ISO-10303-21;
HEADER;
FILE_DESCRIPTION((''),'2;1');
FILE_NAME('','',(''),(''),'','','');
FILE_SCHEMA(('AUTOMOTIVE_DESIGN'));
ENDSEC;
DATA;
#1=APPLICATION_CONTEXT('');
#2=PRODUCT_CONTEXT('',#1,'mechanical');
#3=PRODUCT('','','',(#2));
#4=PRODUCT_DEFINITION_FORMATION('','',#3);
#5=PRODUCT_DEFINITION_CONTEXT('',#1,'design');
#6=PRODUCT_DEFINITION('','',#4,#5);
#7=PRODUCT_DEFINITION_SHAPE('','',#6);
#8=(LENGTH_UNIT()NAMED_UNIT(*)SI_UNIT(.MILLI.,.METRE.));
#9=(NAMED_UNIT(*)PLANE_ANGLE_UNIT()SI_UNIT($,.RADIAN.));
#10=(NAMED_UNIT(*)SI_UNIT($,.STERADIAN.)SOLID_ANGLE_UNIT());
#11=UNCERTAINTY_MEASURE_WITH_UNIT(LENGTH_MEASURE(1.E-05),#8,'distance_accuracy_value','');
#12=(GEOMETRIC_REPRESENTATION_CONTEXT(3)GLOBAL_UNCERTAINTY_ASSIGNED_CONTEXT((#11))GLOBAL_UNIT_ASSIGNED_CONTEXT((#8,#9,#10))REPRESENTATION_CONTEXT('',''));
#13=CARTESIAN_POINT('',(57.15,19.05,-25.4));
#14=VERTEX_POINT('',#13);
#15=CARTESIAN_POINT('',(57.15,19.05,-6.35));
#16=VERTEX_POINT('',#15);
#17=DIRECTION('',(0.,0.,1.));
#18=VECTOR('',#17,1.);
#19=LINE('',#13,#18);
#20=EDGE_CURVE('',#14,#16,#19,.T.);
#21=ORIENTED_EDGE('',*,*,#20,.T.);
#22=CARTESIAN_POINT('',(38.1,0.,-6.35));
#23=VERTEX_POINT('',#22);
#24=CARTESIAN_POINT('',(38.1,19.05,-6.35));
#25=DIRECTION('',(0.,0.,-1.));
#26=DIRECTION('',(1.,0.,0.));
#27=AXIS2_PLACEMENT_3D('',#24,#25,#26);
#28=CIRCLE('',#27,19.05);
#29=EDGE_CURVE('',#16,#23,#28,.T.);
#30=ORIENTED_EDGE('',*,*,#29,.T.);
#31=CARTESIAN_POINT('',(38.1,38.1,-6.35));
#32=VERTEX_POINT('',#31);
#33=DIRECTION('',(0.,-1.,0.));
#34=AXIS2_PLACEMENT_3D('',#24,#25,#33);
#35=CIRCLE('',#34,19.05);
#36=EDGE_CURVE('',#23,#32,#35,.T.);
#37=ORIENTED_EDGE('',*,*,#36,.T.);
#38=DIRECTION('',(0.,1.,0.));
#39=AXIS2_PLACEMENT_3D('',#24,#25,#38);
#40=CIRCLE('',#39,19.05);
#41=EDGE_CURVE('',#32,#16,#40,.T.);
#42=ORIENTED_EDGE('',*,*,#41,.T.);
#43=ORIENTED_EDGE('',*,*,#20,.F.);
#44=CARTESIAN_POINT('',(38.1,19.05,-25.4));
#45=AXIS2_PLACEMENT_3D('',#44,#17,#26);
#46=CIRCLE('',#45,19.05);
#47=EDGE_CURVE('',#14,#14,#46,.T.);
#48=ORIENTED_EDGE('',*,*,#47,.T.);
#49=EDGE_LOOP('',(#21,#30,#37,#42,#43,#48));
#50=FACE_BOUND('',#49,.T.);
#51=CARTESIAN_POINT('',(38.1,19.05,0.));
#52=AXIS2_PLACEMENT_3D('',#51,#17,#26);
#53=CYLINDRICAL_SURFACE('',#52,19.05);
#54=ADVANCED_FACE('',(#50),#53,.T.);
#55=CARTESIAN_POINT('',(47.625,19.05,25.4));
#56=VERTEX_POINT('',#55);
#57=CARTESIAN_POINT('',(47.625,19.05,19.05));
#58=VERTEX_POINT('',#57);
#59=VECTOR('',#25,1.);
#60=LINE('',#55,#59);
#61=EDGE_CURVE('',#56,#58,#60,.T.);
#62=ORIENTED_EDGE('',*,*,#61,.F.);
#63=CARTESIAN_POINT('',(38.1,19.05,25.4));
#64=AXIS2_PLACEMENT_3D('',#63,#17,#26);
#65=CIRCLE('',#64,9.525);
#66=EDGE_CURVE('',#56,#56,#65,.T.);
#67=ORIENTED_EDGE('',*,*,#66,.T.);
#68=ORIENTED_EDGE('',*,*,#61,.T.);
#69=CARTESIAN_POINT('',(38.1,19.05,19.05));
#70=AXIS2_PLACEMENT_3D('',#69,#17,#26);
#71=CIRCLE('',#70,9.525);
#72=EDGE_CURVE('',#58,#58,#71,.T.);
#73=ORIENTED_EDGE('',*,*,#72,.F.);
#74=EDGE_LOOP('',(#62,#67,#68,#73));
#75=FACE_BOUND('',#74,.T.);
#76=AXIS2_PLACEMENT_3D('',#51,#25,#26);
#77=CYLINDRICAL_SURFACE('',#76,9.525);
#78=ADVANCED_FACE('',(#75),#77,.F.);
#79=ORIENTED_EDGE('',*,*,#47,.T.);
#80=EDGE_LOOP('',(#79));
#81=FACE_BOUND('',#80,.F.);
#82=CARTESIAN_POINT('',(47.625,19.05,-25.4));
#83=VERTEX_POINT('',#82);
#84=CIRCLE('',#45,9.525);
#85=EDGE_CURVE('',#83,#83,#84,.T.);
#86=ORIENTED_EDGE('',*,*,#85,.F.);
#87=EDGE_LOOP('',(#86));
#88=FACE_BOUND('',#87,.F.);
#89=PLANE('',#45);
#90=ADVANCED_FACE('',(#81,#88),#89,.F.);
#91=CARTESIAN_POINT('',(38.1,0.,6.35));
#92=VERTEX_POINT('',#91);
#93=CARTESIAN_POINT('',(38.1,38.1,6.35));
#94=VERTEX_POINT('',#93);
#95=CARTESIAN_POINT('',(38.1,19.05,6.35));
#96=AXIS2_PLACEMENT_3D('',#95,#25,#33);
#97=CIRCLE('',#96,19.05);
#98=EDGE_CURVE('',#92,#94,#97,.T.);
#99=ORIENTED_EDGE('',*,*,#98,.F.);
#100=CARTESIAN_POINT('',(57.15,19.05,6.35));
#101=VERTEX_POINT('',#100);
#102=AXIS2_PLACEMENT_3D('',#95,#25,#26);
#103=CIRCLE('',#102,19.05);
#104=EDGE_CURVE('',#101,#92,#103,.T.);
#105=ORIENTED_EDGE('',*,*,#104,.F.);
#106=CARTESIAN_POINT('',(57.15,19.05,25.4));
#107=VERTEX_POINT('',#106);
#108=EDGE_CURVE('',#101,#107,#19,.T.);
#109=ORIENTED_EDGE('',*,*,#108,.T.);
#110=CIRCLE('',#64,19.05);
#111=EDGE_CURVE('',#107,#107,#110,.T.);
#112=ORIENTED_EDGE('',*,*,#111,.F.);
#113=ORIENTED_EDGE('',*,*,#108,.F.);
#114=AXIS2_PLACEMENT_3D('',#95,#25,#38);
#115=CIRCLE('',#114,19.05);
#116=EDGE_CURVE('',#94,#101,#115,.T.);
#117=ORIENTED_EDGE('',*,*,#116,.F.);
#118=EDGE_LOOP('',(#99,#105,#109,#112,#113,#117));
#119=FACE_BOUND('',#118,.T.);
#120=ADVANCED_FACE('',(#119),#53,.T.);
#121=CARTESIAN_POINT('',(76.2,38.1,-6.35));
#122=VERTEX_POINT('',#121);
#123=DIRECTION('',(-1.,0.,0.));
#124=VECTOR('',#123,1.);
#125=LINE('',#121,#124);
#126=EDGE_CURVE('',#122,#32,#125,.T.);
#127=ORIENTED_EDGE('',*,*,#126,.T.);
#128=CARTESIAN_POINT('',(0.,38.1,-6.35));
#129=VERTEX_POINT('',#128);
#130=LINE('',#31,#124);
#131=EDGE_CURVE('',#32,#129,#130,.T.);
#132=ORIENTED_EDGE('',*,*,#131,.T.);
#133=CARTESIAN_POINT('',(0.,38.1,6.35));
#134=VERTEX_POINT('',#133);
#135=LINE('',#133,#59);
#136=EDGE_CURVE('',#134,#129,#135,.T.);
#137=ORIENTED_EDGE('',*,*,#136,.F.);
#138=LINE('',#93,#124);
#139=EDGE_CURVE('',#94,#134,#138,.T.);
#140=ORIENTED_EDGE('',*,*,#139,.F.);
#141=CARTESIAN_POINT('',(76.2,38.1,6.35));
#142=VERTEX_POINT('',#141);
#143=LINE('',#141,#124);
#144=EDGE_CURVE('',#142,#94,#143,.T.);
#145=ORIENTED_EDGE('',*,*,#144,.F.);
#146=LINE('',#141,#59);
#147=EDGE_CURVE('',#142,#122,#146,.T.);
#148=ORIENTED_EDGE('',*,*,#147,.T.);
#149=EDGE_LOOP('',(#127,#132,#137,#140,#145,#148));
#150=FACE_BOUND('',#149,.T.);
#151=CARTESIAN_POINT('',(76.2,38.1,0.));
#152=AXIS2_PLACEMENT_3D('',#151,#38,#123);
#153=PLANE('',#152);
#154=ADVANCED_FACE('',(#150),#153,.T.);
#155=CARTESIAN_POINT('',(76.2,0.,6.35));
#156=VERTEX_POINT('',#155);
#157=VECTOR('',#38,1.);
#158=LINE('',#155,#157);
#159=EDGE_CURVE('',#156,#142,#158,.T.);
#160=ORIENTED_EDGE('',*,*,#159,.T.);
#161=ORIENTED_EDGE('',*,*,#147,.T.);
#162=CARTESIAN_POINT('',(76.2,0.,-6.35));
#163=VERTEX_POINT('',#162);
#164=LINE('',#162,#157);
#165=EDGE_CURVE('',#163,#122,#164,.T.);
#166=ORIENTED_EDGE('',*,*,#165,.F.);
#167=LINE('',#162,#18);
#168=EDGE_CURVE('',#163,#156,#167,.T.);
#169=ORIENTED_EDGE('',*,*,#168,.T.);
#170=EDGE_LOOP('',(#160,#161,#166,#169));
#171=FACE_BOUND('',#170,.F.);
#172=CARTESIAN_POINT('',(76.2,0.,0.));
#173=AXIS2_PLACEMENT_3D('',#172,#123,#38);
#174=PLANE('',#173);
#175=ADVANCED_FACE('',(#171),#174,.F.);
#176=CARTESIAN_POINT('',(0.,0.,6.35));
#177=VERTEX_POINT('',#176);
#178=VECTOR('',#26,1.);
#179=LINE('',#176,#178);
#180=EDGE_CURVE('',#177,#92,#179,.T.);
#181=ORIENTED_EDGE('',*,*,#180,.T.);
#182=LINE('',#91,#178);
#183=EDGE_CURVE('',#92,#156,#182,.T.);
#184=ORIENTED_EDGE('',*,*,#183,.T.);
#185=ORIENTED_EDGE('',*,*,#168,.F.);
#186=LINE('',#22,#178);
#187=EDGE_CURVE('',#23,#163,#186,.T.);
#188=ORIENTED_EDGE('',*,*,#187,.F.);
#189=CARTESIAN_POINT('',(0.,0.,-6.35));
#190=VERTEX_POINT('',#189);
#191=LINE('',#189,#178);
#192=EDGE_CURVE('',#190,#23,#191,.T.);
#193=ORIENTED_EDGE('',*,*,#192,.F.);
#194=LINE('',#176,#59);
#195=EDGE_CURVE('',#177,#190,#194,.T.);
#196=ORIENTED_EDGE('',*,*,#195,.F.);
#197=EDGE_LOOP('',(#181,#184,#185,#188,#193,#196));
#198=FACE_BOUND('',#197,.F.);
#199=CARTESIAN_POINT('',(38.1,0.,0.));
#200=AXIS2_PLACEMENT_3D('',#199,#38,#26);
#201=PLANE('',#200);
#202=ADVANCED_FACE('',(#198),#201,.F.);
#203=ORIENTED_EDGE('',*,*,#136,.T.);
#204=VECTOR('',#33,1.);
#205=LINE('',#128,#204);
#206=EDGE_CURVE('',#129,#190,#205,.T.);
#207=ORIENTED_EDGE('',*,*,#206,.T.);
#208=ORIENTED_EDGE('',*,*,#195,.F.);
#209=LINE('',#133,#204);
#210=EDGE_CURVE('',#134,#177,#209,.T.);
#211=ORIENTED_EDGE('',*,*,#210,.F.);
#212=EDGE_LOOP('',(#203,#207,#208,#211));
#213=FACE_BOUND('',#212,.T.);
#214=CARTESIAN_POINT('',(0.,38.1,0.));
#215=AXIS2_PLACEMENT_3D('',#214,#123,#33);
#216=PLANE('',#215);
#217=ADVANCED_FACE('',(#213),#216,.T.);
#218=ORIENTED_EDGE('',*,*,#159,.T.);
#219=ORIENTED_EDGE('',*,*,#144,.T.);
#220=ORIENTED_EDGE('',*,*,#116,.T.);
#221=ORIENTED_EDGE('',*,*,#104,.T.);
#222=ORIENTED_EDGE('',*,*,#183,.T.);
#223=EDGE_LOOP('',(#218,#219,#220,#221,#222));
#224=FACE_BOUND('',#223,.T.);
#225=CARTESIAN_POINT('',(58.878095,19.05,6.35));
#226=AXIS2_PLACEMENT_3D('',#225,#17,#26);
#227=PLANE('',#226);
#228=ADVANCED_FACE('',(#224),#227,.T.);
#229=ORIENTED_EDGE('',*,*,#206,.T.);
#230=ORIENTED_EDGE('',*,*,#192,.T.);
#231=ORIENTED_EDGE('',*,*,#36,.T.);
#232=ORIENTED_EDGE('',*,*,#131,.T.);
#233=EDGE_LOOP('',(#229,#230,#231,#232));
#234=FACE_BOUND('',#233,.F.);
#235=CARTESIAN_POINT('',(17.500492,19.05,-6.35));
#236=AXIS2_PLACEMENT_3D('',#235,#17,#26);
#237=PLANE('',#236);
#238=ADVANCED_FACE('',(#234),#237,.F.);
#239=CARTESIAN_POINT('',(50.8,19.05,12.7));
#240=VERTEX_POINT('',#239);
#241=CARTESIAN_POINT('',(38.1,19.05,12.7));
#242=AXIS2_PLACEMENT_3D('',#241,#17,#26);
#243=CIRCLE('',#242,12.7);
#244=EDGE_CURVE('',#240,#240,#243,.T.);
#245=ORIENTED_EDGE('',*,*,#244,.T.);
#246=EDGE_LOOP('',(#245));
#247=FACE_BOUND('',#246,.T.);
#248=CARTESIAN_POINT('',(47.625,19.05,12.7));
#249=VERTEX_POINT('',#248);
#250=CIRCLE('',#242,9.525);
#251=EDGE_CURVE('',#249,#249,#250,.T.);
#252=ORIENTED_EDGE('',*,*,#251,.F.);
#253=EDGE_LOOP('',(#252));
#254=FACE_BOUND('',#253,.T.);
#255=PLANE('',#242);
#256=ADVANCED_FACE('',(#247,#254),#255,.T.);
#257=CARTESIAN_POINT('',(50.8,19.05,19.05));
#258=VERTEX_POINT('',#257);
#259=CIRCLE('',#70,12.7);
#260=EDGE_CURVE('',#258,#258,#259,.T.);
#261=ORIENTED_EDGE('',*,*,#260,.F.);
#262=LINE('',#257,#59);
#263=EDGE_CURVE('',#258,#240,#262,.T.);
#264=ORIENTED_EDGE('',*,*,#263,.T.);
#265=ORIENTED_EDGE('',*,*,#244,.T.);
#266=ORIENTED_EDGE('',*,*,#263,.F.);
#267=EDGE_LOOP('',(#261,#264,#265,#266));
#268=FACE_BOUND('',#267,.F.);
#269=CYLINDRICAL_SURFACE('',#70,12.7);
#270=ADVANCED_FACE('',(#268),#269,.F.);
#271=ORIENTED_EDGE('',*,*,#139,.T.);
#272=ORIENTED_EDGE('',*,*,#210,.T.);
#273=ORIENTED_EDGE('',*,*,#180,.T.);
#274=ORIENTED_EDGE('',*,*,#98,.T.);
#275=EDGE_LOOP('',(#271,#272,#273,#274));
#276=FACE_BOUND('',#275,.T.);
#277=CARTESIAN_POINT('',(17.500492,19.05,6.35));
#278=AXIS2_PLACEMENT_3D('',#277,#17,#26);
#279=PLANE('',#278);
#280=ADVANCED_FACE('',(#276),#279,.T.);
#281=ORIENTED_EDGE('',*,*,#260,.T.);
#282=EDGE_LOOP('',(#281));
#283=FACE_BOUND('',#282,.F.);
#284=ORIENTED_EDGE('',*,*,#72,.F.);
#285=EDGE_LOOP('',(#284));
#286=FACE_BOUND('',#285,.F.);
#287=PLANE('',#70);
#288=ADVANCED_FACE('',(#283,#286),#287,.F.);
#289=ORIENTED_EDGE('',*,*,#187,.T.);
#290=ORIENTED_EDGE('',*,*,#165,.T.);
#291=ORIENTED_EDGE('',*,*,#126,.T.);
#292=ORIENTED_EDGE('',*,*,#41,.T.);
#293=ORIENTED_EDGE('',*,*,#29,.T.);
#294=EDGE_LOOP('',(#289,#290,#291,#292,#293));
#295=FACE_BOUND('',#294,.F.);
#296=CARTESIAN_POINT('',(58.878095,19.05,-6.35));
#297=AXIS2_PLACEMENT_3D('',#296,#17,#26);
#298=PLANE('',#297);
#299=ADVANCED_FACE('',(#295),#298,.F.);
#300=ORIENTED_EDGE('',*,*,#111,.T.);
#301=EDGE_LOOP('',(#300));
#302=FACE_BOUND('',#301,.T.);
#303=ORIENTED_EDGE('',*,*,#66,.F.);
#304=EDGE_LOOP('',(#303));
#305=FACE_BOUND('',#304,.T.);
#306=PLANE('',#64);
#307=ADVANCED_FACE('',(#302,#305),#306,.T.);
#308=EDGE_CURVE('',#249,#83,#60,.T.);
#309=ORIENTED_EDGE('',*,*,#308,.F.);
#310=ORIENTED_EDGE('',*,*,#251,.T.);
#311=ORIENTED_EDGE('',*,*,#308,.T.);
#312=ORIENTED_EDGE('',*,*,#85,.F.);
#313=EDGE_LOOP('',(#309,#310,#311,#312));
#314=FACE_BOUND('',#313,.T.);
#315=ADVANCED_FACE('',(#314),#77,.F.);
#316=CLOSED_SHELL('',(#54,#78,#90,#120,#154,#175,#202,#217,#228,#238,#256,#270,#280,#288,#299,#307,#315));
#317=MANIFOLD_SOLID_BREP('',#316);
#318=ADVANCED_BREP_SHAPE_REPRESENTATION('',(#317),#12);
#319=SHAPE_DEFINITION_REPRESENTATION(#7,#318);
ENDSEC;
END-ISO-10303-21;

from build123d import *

# Parameters (mm, degrees)
F0_R     = 9.525
F1_DEPTH = 25.4
F2_DEPTH = 6.35
F4_START = -6.35
F3_R     = 12.7
F3_R_2   = 9.525
F4_DEPTH = 6.35


with BuildPart() as f1:
    # F0 (on Top) → F1 (new body, symmetric)
    with BuildSketch(Plane.XY):
        with BuildLine():
            ThreePointArc((38.1, 38.1), (19.05, 19.05), (38.1, 0))
            ThreePointArc((38.1, 0), (51.5703841816, 5.5796158184), (57.15, 19.05))
            ThreePointArc((57.15, 19.05), (51.5703841816, 32.5203841816), (38.1, 38.1))
        make_face()
        with Locations((38.1, 19.05)):
            Circle(F0_R, mode=Mode.SUBTRACT)
    extrude(amount=F1_DEPTH, both=True)

    # F0 (on Top) → F2 (join, symmetric)
    with BuildSketch(Plane.XY):
        with BuildLine():
            Line((0, 38.1), (0, 0))
            Line((0, 0), (38.1, 0))
            ThreePointArc((38.1, 0), (19.05, 19.05), (38.1, 38.1))
            Line((38.1, 38.1), (0, 38.1))
        make_face()
        with BuildLine():
            ThreePointArc((57.15, 19.05), (51.5703841816, 5.5796158184), (38.1, 0))
            Line((38.1, 0), (76.2, 0))
            Line((76.2, 0), (76.2, 38.1))
            Line((76.2, 38.1), (38.1, 38.1))
            ThreePointArc((38.1, 38.1), (51.5703841816, 32.5203841816), (57.15, 19.05))
        make_face()
    extrude(amount=F2_DEPTH, both=True)

    # F3 (on face) → F4 (cut)
    with BuildSketch(Plane.XY.offset(25.4).offset(F4_START)):
        with Locations((38.1, 19.05)):
            Circle(F3_R)
        with Locations((38.1, 19.05)):
            Circle(F3_R_2, mode=Mode.SUBTRACT)
    extrude(amount=-F4_DEPTH, mode=Mode.SUBTRACT)


solid = f1.part
